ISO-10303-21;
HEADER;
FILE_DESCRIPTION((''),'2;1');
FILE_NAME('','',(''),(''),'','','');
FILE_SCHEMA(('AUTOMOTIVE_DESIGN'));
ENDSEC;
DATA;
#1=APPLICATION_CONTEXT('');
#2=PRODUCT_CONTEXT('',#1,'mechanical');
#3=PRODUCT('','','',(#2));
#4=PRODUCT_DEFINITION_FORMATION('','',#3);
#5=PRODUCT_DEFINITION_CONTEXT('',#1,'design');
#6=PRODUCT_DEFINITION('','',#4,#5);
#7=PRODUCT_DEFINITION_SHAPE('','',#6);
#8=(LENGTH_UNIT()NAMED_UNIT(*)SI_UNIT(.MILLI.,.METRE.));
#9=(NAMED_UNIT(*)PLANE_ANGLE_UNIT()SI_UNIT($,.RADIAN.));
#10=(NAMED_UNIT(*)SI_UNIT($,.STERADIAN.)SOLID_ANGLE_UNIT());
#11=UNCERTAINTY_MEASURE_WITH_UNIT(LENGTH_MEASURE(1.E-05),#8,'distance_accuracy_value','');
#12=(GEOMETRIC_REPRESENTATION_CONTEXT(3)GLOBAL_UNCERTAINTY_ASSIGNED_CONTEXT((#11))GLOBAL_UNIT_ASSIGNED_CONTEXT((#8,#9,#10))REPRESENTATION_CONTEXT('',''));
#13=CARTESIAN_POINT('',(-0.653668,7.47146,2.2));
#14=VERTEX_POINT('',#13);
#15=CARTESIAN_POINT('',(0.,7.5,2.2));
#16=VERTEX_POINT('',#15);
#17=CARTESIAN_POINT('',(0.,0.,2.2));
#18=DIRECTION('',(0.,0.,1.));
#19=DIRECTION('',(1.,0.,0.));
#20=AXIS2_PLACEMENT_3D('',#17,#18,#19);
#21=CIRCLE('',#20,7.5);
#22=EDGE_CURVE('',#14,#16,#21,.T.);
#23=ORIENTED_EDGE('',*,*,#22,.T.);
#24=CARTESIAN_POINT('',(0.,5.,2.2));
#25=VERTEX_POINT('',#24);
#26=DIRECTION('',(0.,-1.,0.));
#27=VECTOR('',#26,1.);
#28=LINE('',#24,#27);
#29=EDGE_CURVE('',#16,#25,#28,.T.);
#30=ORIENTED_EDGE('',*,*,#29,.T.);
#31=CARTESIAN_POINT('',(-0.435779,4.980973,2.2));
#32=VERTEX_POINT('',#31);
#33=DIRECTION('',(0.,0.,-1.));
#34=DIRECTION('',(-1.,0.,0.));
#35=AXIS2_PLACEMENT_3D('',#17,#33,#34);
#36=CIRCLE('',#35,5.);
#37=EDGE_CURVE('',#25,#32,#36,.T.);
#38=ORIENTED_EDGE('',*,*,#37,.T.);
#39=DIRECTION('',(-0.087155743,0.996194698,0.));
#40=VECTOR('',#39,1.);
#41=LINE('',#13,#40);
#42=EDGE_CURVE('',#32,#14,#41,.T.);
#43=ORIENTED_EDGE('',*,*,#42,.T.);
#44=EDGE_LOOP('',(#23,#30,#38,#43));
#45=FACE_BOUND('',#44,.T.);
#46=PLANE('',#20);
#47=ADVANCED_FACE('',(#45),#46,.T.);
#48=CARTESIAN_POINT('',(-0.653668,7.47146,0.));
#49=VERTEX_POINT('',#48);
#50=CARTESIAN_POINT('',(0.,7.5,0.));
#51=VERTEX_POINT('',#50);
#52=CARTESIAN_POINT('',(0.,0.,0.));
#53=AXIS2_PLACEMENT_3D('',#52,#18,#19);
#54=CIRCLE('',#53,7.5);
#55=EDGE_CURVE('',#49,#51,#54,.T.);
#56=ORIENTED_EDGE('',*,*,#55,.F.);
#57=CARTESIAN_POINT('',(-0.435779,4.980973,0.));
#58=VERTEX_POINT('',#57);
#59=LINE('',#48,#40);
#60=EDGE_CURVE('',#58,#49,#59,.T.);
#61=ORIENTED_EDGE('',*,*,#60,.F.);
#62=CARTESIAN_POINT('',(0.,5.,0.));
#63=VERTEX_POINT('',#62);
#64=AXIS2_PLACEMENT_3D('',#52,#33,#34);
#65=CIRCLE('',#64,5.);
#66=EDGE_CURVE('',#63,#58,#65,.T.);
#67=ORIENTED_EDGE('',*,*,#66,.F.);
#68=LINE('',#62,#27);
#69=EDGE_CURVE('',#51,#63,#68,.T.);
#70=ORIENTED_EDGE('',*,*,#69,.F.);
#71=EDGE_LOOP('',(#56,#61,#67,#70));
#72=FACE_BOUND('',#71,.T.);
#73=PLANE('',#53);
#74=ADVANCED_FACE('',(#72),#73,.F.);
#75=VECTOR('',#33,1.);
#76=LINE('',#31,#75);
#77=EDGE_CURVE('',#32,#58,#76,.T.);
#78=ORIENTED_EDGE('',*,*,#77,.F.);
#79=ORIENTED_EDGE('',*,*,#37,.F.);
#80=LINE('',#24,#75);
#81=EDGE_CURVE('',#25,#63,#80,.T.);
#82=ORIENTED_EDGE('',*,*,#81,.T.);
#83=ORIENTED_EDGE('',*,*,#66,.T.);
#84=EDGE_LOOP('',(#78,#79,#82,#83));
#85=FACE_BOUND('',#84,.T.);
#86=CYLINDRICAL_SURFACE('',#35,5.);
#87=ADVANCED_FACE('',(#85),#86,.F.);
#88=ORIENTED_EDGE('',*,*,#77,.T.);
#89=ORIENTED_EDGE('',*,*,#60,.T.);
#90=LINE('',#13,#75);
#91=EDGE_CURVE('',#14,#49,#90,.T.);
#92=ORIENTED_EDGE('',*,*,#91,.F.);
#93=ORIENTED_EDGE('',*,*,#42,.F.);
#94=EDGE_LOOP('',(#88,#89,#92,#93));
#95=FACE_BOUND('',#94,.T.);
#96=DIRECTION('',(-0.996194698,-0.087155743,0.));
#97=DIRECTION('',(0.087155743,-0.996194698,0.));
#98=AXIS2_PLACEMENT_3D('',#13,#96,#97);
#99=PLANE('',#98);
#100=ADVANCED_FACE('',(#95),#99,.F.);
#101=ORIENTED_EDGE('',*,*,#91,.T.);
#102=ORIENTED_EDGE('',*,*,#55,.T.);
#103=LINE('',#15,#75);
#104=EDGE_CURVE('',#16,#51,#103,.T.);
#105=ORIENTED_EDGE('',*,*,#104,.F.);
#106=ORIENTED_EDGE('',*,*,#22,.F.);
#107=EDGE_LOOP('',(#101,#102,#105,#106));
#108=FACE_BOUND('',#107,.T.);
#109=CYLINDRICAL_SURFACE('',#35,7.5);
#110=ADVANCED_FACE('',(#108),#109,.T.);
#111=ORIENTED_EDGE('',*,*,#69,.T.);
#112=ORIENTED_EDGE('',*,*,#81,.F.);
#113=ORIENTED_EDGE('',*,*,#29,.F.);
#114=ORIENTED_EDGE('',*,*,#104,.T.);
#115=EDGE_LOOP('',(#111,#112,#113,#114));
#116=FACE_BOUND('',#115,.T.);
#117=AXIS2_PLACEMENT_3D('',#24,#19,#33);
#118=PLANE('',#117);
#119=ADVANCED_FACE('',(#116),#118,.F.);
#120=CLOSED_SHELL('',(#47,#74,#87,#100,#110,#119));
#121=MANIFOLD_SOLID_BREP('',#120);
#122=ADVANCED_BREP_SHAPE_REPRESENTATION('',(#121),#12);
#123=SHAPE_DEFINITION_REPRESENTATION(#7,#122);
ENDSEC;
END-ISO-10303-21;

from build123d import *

# Parameters (mm, degrees)
EXTRUDE_1_DEPTH = 2.2


with BuildPart() as part:
    # 草图1 → 凸台-拉伸1 (new body)
    with BuildSketch(Plane.XY):
        with BuildLine():
            Line((0, 5), (0, 7.5))
            ThreePointArc((0, 7.5), (0.327145405, -7.492861662), (-0.653668071, 7.471460236))
            Line((-0.653668071, 7.471460236), (-0.435778714, 4.98097349))
            ThreePointArc((-0.435778714, 4.98097349), (0.218096937, -4.995241108), (0, 5))
        make_face()
    extrude(amount=EXTRUDE_1_DEPTH)


solid = part.part
